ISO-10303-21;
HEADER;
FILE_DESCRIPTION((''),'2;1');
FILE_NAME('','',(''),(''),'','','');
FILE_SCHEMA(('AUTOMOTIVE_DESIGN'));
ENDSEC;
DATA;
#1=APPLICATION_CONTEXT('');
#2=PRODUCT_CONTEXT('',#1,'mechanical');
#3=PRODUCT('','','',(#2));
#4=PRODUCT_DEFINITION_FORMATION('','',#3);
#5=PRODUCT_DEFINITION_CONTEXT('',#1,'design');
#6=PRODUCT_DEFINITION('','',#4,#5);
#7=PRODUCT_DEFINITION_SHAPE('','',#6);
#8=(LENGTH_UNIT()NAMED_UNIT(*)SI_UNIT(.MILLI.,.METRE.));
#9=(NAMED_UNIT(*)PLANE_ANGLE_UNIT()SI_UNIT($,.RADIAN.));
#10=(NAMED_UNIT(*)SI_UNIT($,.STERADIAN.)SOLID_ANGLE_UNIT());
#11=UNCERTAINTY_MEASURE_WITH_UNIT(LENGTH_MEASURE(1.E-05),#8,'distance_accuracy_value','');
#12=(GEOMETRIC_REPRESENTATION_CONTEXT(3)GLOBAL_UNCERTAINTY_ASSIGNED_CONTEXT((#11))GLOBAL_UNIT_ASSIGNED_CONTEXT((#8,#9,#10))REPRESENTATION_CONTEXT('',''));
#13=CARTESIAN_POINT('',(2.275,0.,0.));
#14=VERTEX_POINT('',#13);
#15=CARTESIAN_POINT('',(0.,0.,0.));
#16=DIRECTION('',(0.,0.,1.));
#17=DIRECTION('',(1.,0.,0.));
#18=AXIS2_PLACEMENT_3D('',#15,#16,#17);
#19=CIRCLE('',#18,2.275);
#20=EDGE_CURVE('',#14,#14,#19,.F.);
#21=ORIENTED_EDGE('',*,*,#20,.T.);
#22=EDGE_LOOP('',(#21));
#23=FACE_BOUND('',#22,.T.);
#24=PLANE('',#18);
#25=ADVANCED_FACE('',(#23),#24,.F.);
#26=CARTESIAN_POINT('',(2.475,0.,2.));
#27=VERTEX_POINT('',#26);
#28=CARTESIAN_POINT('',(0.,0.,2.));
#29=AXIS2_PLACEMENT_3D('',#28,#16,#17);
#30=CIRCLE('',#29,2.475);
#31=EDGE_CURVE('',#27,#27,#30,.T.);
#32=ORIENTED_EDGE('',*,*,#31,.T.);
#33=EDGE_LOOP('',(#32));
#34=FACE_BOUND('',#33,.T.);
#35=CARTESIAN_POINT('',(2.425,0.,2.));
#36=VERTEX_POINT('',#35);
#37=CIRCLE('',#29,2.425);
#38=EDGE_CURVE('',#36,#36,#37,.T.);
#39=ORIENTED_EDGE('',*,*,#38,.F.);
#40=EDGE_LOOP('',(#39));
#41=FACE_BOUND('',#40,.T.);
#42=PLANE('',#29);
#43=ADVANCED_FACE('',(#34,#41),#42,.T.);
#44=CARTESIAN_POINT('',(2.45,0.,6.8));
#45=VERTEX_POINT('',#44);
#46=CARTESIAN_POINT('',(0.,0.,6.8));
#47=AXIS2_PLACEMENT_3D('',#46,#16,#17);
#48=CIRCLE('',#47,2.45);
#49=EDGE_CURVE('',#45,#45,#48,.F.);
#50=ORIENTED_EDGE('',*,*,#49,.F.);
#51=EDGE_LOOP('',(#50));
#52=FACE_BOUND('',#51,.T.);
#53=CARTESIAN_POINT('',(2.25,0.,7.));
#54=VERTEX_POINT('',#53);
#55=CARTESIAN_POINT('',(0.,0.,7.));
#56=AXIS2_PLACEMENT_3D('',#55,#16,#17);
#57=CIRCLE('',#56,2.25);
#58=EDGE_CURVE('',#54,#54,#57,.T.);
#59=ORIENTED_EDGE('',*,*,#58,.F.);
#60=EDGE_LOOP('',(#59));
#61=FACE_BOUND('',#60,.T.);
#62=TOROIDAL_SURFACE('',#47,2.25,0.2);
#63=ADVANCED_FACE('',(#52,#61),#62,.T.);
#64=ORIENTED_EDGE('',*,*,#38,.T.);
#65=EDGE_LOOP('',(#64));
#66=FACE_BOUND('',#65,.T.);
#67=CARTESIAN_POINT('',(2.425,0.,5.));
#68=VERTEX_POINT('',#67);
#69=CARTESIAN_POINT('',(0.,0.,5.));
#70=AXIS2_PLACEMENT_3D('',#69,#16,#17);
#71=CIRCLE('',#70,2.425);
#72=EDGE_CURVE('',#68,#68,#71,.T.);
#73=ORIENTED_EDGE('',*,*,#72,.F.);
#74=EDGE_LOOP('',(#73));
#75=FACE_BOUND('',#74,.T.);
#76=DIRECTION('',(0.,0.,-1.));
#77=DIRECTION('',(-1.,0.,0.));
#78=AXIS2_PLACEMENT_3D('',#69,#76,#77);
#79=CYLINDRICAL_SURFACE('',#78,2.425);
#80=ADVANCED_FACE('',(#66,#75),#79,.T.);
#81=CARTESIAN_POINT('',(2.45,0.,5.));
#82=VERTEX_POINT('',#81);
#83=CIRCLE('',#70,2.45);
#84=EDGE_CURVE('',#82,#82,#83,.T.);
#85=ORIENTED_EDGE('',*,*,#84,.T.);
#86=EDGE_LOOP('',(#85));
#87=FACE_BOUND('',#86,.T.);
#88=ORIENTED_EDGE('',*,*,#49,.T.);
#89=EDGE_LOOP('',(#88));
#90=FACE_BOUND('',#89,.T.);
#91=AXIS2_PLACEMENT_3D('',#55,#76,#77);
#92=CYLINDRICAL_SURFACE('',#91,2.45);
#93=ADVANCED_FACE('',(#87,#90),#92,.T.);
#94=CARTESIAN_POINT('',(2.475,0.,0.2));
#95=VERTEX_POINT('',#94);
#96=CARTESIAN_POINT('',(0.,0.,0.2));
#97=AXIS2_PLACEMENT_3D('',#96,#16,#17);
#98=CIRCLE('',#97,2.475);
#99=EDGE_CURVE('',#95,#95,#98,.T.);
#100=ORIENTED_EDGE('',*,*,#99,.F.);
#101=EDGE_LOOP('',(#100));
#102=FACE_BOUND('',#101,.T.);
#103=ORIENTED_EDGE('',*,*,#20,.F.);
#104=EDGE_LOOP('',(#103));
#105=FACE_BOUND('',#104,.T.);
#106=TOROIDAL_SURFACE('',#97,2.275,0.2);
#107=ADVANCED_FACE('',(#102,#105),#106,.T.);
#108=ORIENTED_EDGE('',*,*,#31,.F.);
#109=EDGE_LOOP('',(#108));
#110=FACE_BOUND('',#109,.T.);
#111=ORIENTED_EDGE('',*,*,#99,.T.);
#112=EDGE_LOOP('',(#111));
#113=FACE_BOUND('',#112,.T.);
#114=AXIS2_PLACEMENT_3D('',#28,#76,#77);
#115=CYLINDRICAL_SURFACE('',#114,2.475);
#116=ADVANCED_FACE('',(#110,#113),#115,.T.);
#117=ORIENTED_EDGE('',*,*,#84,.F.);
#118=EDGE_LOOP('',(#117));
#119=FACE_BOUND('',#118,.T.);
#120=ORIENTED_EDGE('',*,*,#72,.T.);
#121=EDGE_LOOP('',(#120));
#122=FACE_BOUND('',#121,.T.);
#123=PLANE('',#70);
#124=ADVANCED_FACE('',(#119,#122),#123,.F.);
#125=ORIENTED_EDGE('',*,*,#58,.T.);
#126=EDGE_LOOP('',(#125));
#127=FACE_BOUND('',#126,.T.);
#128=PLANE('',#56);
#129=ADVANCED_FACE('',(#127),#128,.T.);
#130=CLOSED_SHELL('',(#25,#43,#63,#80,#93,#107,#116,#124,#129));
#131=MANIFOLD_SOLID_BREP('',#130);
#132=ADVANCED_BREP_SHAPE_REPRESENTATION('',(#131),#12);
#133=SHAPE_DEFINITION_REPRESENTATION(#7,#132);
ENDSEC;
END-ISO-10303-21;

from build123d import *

# Parameters (mm, degrees)
SKETCH_1_R      = 2.475
EXTRUDE_1_DEPTH = 2
SKETCH_2_R      = 2.425
EXTRUDE_2_DEPTH = 3
SKETCH_3_R      = 2.45
EXTRUDE_3_DEPTH = 2
FILLET_1_R      = 0.2


with BuildPart() as part:
    # 스케치1 → 보스-돌출1 (new body)
    with BuildSketch(Plane.XY):
        Circle(SKETCH_1_R)
    extrude(amount=EXTRUDE_1_DEPTH)

    # 스케치2 → 보스-돌출2 (add)
    with BuildSketch(Plane.XY.offset(2)):
        Circle(SKETCH_2_R)
    extrude(amount=EXTRUDE_2_DEPTH)

    # 스케치3 → 보스-돌출3 (add)
    with BuildSketch(Plane.XY.offset(5)):
        Circle(SKETCH_3_R)
    extrude(amount=EXTRUDE_3_DEPTH)

    # 필렛1
    fillet_1_edges = [part.edges().sort_by_distance(p)[0] for p in [
        (-2.475, 0, 0),
        (-2.45, 0, 7),
    ]]
    fillet(fillet_1_edges, radius=FILLET_1_R)


solid = part.part
